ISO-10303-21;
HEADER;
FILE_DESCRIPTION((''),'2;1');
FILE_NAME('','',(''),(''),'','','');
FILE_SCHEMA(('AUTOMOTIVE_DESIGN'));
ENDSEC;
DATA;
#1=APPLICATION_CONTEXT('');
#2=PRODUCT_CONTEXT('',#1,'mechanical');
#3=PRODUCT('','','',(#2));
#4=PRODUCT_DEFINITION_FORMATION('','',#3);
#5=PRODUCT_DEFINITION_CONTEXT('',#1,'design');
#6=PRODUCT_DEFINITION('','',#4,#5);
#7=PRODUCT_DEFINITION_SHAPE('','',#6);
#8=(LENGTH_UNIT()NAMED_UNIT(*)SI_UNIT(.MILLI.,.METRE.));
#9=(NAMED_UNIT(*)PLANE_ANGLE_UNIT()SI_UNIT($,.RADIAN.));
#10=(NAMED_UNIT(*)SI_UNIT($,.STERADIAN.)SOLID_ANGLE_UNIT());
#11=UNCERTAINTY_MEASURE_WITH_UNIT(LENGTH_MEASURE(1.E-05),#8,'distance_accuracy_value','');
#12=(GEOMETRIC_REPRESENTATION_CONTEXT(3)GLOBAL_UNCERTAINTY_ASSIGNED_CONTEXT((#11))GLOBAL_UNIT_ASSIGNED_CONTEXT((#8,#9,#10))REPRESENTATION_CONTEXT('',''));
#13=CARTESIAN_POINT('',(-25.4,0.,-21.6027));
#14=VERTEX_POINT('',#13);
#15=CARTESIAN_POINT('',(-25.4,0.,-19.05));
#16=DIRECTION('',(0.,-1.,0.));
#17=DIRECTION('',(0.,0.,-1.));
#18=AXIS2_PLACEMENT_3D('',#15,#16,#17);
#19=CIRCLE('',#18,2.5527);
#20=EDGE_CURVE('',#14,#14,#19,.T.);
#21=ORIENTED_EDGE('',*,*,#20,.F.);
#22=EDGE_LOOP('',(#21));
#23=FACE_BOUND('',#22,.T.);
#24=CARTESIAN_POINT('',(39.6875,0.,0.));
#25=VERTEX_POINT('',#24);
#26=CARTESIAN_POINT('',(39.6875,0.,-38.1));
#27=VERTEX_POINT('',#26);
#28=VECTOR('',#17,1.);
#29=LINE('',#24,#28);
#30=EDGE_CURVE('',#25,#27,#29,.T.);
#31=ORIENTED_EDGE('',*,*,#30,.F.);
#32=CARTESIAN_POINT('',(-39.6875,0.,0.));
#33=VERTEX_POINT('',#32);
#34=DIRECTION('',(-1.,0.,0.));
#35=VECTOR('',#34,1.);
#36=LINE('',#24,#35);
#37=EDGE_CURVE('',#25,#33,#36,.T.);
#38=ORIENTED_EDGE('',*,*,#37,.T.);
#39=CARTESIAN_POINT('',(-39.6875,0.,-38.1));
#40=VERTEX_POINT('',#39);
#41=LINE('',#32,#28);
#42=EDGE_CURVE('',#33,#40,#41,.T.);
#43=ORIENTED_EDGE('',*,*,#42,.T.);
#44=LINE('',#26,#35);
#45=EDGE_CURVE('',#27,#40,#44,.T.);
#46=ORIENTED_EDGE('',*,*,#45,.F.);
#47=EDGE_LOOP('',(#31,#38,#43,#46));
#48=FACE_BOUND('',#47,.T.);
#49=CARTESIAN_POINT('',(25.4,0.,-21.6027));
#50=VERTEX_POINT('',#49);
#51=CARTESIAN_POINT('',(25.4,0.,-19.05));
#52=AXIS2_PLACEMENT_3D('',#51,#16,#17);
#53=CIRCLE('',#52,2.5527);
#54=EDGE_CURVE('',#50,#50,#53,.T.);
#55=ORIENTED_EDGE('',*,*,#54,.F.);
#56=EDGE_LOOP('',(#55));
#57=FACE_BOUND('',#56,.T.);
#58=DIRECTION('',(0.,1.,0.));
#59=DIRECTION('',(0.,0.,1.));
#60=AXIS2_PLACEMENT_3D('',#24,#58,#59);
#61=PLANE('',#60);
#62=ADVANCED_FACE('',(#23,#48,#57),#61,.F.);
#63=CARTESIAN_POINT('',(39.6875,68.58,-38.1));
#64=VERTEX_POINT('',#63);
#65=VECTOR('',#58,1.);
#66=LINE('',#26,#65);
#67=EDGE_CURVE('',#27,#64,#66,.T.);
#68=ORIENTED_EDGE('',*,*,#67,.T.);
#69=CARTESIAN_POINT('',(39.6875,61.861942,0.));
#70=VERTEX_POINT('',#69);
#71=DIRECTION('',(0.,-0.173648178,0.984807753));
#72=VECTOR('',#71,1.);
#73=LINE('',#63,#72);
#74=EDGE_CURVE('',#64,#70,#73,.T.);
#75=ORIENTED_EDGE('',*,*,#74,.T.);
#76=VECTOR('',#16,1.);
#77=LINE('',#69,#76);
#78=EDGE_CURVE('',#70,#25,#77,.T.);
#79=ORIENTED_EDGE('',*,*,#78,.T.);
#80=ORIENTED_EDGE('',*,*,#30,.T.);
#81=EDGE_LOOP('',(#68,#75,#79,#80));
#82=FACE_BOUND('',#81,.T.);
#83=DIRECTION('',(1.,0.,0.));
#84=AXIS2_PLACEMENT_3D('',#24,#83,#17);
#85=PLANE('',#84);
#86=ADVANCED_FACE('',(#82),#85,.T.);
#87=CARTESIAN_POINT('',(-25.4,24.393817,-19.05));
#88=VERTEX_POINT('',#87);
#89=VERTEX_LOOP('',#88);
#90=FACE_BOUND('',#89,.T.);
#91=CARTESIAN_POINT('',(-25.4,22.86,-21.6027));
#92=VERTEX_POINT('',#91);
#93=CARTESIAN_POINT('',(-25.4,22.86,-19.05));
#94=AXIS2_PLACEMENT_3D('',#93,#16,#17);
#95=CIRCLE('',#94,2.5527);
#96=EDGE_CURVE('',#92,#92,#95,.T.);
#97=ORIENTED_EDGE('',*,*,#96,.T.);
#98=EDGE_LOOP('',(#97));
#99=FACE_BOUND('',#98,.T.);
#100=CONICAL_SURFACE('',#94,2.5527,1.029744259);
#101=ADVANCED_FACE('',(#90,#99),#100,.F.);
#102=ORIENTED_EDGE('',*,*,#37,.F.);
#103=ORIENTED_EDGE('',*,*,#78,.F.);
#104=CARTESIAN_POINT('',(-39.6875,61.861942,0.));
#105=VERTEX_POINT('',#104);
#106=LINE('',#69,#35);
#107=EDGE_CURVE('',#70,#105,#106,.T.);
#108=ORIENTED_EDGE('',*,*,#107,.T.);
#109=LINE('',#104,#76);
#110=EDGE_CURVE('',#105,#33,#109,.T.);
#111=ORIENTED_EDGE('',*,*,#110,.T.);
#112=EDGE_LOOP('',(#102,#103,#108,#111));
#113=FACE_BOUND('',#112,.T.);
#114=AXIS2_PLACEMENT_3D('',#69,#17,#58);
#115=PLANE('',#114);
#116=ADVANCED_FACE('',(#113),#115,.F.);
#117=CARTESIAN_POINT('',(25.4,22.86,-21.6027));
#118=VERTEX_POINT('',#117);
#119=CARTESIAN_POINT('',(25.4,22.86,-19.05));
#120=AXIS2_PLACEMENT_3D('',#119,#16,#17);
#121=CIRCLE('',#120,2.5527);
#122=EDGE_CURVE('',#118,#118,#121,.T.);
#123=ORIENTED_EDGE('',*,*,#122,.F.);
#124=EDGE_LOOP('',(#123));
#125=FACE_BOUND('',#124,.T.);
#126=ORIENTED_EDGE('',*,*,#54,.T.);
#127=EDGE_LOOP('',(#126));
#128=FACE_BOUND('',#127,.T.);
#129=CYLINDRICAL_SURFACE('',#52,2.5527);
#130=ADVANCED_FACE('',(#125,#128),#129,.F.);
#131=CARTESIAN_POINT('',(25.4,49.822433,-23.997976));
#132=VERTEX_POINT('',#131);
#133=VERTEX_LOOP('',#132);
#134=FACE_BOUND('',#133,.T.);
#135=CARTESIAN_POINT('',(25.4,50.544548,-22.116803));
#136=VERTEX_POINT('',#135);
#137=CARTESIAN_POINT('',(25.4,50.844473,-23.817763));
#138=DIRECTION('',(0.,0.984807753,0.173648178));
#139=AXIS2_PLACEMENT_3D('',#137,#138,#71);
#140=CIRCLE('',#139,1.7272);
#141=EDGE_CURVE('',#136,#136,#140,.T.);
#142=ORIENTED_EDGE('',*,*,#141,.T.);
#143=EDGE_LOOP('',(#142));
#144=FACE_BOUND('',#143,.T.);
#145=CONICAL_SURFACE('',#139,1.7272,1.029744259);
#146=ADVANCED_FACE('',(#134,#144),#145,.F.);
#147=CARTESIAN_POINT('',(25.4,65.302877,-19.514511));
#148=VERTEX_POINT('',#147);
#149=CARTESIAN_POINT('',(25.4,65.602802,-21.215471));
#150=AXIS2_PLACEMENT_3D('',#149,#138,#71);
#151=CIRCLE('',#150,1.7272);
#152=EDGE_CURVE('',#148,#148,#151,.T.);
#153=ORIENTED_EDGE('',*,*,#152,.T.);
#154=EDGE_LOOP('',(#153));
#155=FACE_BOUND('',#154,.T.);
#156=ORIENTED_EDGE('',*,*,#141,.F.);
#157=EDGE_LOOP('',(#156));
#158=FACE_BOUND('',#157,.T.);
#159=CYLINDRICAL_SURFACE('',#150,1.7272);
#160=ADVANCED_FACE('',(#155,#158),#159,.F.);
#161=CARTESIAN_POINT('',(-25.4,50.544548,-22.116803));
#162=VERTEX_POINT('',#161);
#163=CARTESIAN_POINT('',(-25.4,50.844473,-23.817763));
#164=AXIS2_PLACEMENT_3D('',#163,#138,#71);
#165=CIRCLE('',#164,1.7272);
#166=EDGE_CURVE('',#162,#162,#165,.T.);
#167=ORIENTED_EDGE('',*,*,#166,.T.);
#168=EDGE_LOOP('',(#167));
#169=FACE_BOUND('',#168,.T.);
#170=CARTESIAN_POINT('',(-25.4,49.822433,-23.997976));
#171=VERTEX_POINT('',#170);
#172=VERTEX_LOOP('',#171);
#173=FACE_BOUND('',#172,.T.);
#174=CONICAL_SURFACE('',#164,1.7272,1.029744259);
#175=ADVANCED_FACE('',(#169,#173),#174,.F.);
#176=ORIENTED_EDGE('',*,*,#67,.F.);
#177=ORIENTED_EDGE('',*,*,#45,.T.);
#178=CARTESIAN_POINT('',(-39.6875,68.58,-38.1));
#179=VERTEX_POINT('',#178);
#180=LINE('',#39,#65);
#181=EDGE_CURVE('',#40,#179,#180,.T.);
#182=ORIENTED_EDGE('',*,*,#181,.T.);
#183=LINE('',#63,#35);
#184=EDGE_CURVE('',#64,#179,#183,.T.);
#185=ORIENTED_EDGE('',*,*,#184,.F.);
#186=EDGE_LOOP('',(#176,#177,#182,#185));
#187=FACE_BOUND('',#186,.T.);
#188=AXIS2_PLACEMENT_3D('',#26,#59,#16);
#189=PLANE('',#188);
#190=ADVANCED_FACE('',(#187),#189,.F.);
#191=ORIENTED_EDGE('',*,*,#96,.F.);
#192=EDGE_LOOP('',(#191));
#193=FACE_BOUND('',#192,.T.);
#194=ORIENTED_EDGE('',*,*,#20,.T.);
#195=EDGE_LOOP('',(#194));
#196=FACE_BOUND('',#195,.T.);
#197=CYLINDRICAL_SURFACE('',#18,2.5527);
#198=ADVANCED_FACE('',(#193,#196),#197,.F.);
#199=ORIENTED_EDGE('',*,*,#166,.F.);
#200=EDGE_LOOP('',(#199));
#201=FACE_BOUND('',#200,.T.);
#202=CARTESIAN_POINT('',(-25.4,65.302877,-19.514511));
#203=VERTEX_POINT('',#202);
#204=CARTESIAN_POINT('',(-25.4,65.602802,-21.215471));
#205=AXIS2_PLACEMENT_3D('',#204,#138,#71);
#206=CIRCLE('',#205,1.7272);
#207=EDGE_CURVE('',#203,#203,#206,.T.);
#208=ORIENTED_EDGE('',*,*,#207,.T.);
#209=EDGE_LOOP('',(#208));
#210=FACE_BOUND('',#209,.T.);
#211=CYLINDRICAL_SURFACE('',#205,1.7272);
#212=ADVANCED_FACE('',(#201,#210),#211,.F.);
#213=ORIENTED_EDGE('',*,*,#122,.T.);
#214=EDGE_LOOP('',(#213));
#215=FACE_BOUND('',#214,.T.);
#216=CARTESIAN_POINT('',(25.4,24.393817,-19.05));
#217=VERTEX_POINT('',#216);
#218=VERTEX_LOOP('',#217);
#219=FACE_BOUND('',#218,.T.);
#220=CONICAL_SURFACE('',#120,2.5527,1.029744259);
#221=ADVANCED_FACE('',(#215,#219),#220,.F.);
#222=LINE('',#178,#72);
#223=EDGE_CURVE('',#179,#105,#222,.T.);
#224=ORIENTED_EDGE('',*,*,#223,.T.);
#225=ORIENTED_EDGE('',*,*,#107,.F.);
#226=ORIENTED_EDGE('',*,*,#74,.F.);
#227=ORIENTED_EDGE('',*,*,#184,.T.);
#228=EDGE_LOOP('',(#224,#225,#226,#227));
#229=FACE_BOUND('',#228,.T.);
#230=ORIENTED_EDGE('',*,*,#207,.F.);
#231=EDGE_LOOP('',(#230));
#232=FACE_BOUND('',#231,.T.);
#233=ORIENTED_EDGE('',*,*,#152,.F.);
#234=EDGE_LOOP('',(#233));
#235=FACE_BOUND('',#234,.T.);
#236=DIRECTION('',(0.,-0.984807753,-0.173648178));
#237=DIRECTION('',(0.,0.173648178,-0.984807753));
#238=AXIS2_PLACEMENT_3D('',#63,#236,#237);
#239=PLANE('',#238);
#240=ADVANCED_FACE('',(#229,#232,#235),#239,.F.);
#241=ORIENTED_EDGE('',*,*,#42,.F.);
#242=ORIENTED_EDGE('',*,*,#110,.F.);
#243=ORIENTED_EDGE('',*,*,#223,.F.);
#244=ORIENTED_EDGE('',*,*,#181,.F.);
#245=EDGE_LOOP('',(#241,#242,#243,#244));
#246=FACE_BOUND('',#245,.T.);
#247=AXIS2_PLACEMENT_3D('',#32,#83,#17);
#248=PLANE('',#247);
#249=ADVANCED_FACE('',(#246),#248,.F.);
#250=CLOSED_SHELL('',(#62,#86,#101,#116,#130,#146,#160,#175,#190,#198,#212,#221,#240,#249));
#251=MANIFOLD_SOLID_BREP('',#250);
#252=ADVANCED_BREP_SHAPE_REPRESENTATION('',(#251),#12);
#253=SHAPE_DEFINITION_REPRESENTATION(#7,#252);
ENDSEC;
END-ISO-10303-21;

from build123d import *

# Parameters (mm, degrees)
BOSS_EXTRUDE2_DEPTH         = 39.6875
F_1_4_20_TAPPED_HOLE1_D     = 5.1054
F_1_4_20_TAPPED_HOLE1_DEPTH = 22.86
F_1_4_20_TAPPED_HOLE1_TIP   = 1.533816902
F_8_32_TAPPED_HOLE1_D       = 3.4544
F_8_32_TAPPED_HOLE1_DEPTH   = 14.986
F_8_32_TAPPED_HOLE1_TIP     = 1.037806461


with BuildPart() as part:
    # Sketch3 → Boss-Extrude2 (new, symmetric)
    with BuildSketch(Plane(origin=(0, 0, 0), x_dir=(0, 0, -1), z_dir=(1, 0, 0))):
        Polygon((0, 0), (38.1, 0), (38.1, 68.58), (0, 61.861942035), align=None)
    extrude(amount=BOSS_EXTRUDE2_DEPTH, both=True)

    # 1/4-20 Tapped Hole1
    with Locations(Plane(origin=(0, 0, 0), x_dir=(-1, 0, 0), z_dir=(0, -1, 0))):
        with Locations((25.4, 19.05), (-25.4, 19.05)):
            Hole(F_1_4_20_TAPPED_HOLE1_D / 2, depth=F_1_4_20_TAPPED_HOLE1_DEPTH)
            with Locations((0, 0, -(F_1_4_20_TAPPED_HOLE1_DEPTH + F_1_4_20_TAPPED_HOLE1_TIP / 2))):  # 118° drill point
                Cone(0, F_1_4_20_TAPPED_HOLE1_D / 2, F_1_4_20_TAPPED_HOLE1_TIP, mode=Mode.SUBTRACT)

    # #8-32 Tapped Hole1
    with Locations(Plane(origin=(0, 59.996576236, 10.579015141), x_dir=(1, 0, 0), z_dir=(0, 0.9848077530122092, 0.17364817766692348))):
        with Locations((-25.4, 32.284967414), (25.4, 32.284967414)):
            Hole(F_8_32_TAPPED_HOLE1_D / 2, depth=F_8_32_TAPPED_HOLE1_DEPTH)
            with Locations((0, 0, -(F_8_32_TAPPED_HOLE1_DEPTH + F_8_32_TAPPED_HOLE1_TIP / 2))):  # 118° drill point
                Cone(0, F_8_32_TAPPED_HOLE1_D / 2, F_8_32_TAPPED_HOLE1_TIP, mode=Mode.SUBTRACT)


solid = part.part
